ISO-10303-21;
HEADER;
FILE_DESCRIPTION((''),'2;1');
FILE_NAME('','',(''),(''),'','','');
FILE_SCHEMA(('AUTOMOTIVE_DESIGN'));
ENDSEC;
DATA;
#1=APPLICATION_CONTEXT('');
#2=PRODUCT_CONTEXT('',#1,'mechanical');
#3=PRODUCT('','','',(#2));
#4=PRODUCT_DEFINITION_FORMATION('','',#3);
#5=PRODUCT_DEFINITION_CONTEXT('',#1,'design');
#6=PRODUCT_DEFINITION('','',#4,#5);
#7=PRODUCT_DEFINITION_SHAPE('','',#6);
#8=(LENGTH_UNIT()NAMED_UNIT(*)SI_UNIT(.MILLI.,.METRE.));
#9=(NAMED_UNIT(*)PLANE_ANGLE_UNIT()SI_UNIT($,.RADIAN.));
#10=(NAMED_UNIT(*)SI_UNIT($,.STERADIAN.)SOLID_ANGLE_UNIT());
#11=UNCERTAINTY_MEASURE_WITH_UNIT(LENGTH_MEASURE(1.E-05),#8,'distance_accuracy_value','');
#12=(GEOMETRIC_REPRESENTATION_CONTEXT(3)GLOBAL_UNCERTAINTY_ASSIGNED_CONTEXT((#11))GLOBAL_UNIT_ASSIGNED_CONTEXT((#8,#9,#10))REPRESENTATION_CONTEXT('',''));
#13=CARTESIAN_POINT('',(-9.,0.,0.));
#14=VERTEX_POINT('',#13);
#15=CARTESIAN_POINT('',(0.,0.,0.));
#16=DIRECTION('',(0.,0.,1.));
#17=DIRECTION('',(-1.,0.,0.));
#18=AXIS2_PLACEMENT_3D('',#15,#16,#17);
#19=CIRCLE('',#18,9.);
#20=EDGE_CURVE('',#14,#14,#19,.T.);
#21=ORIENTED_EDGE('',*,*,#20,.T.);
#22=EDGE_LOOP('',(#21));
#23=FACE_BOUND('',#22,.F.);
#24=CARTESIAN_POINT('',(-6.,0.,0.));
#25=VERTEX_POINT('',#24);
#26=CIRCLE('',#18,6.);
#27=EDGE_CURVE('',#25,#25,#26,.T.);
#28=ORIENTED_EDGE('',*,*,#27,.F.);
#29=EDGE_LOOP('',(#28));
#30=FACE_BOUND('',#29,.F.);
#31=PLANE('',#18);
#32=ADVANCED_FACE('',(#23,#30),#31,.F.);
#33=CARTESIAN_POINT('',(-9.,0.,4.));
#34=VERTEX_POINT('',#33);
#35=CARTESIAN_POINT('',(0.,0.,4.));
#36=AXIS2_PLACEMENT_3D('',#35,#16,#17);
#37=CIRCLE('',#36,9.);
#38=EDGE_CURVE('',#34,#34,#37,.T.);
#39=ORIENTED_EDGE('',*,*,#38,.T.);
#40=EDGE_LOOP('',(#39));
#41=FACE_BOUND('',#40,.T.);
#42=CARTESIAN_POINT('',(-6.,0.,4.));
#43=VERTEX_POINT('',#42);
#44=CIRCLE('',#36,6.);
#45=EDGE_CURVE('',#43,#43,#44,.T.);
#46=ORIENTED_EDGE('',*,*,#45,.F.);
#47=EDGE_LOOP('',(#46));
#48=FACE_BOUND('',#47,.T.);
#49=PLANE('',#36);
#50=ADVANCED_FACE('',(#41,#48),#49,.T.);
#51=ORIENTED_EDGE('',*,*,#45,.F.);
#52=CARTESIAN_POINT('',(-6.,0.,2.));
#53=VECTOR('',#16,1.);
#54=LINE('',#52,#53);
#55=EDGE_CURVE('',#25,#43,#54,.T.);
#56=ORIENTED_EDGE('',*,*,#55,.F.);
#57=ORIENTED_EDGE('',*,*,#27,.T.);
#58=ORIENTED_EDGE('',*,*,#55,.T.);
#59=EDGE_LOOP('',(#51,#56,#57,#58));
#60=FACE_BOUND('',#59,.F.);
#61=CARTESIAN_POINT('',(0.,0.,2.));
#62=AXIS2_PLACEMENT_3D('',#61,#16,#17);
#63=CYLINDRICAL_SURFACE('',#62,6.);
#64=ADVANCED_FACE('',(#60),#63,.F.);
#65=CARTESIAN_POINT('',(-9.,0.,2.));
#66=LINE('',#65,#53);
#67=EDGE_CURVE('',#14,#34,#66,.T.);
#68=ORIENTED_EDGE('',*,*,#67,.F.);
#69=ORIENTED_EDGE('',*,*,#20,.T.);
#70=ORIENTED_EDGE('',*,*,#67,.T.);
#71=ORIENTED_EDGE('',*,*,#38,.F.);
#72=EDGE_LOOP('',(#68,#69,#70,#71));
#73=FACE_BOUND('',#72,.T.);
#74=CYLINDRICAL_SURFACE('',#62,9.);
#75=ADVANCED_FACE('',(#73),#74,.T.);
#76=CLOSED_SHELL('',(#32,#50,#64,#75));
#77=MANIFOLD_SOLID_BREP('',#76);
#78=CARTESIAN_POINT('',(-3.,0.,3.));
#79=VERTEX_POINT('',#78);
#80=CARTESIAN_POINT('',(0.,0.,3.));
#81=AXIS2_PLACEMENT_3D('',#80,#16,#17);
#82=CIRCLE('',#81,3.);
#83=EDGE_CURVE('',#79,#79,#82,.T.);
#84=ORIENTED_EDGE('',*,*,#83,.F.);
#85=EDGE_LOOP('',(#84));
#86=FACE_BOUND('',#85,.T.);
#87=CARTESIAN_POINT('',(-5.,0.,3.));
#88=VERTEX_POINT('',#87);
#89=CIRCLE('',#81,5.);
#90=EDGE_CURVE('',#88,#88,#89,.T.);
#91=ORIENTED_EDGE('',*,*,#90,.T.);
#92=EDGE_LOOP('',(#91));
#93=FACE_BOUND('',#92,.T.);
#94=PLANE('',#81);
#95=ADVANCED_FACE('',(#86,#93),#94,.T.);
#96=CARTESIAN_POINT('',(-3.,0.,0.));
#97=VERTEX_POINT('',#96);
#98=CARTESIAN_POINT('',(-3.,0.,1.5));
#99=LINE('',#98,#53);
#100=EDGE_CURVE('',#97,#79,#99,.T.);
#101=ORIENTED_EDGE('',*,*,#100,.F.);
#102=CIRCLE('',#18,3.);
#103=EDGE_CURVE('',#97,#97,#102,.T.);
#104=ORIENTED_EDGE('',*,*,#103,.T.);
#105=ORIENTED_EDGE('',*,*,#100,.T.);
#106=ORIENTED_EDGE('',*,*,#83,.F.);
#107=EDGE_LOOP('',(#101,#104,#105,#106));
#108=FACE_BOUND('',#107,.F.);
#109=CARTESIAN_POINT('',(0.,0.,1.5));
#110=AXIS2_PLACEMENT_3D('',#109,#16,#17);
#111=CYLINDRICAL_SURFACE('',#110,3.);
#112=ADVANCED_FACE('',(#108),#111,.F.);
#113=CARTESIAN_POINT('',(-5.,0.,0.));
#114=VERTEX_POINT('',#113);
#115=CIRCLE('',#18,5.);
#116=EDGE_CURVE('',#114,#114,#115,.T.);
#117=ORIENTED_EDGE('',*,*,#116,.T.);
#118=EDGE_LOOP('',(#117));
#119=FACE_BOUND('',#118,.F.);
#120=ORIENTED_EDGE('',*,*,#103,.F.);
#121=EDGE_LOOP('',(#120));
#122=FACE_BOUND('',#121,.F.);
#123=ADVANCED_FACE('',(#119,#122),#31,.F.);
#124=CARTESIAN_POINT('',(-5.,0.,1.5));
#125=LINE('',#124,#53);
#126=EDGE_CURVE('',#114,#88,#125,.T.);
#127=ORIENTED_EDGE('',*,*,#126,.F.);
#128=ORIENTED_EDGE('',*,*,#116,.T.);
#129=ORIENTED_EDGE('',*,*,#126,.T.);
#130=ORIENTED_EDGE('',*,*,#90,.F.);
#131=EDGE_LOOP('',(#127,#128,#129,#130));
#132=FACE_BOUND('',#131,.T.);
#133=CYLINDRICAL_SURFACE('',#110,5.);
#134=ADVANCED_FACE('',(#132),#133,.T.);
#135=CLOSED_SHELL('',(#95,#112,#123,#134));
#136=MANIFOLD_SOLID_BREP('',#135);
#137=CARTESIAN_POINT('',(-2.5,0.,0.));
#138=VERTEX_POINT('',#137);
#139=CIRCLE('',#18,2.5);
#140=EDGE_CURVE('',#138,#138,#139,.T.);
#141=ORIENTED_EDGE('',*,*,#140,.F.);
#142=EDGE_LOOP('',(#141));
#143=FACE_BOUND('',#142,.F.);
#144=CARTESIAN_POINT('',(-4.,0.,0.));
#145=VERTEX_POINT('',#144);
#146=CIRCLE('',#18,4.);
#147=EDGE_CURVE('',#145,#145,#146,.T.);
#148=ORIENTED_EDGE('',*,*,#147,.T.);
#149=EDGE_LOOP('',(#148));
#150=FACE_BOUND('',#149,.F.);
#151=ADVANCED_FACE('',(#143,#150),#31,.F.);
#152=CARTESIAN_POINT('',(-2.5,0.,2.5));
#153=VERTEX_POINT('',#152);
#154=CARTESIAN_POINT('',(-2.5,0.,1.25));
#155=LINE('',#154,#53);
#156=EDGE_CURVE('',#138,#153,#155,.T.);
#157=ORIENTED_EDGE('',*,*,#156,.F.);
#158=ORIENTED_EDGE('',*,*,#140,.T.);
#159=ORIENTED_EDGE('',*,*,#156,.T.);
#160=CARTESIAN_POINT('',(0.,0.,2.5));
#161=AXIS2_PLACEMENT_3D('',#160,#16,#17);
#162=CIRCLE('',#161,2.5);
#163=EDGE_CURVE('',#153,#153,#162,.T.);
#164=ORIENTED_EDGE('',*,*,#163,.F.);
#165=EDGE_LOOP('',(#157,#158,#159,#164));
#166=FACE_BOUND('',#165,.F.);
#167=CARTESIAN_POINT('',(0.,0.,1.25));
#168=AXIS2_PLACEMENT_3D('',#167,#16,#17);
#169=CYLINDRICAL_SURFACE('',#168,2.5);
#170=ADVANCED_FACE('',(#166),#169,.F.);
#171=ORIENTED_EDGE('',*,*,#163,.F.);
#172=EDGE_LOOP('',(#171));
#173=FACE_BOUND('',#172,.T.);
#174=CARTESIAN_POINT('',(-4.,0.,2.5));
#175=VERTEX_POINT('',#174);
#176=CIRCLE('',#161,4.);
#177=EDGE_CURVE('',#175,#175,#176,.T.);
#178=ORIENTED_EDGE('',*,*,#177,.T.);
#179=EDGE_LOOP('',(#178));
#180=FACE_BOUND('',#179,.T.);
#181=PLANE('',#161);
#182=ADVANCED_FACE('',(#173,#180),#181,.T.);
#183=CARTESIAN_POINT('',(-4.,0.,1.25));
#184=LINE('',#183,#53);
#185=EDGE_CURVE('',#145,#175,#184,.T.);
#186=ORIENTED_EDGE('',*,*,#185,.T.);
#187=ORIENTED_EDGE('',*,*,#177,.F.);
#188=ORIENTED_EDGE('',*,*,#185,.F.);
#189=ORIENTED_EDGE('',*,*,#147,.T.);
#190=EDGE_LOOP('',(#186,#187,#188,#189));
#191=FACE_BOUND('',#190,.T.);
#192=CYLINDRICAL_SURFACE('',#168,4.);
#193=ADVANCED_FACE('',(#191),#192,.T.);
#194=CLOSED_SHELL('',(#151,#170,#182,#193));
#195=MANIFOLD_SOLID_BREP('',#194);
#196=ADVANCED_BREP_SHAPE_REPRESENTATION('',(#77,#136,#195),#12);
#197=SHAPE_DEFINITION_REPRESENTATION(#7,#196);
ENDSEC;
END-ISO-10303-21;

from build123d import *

# Parameters (mm, degrees)
F0_W = 1.5
F0_H = 2.5
F2_W = 3
F2_H = 4
F4_W = 2
F4_H = 3


with BuildPart() as f1:
    # F0 (on Front) → F1 (revolve)
    with BuildSketch(Plane.XZ):
        with Locations((-3.25, 1.25)):
            Rectangle(F0_W, F0_H)
    revolve(axis=Axis((0, 0, 1.726017), (0, 0, 1)))


with BuildPart() as f3:
    # F2 (on Front) → F3 (revolve)
    with BuildSketch(Plane.XZ):
        with Locations((-7.5, 2)):
            Rectangle(F2_W, F2_H)
    revolve(axis=Axis((0, 0, 3.215874), (0, 0, 1)))


with BuildPart() as f5:
    # F4 (on Front) → F5 (revolve)
    with BuildSketch(Plane.XZ):
        with Locations((-4, 1.5)):
            Rectangle(F4_W, F4_H)
    revolve(axis=Axis((0, 0, 1.631281), (0, 0, 1)))


solid = Compound([f1.part, f3.part, f5.part])
